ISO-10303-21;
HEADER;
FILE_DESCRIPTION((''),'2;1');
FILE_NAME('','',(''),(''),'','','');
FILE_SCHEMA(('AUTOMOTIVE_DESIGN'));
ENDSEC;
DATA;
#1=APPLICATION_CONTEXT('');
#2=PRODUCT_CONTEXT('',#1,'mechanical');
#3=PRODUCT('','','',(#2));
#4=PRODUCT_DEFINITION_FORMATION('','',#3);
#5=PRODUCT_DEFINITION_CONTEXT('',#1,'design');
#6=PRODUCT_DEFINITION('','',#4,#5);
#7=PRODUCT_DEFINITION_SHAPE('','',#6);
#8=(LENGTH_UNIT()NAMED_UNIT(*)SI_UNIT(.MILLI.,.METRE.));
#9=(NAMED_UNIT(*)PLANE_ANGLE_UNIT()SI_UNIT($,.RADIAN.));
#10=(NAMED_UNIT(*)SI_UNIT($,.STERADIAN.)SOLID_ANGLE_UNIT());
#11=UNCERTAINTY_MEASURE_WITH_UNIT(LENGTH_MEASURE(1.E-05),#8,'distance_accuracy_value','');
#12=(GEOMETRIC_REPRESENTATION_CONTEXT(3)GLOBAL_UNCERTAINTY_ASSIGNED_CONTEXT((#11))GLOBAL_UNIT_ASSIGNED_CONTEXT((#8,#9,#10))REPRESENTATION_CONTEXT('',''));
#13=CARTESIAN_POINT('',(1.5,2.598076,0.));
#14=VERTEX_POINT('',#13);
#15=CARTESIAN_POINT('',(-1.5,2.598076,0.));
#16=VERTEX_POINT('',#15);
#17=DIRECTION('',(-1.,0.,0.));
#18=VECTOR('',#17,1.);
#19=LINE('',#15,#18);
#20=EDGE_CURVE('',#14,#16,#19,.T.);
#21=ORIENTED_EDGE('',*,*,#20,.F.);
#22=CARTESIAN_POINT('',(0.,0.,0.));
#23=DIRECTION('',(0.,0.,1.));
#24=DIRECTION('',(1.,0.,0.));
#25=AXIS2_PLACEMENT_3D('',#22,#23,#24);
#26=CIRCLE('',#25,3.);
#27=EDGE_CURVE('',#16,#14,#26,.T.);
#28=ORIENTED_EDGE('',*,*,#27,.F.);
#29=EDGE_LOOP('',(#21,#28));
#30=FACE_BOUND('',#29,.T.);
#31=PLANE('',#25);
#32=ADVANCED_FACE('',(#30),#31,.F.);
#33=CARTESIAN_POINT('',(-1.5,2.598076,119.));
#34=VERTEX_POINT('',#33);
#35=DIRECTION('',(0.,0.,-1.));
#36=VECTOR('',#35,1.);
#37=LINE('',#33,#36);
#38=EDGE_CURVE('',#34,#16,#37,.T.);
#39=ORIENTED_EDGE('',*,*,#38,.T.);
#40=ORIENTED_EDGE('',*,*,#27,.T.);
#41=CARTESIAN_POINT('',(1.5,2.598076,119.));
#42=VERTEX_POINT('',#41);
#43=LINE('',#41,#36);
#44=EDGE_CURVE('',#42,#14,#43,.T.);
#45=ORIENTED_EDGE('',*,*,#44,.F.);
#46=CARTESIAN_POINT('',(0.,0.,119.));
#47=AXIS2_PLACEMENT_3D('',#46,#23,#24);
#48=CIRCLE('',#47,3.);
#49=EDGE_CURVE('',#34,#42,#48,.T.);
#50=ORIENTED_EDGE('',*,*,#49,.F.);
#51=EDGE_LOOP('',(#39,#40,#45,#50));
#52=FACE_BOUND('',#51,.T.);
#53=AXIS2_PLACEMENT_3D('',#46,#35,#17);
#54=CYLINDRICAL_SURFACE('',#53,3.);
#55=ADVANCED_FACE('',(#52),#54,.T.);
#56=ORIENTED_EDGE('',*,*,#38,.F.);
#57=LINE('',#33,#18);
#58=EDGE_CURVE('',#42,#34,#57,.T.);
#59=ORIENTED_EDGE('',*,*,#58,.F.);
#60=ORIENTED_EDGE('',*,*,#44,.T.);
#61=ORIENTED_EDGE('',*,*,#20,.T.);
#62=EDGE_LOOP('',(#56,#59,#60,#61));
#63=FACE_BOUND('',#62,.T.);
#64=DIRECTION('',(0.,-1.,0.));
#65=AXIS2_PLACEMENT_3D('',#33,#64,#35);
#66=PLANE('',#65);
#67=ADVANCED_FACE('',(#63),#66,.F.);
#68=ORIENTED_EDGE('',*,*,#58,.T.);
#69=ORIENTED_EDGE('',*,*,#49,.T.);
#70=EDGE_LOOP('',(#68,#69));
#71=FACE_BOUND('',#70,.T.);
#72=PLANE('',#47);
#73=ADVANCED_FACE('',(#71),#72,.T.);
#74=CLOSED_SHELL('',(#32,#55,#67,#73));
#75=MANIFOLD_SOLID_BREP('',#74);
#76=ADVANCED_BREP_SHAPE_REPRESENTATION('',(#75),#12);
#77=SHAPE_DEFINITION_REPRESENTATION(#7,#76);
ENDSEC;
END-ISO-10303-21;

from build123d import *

# Parameters (mm, degrees)
BOSS_EXTRUDE1_DEPTH = 119


with BuildPart() as part:
    # Sketch2 → Boss-Extrude1 (new body)
    with BuildSketch(Plane.XY):
        with BuildLine():
            Line((-1.5, 2.598076211), (1.5, 2.598076211))
            ThreePointArc((1.5, 2.598076211), (0, -3), (-1.5, 2.598076211))
        make_face()
    extrude(amount=BOSS_EXTRUDE1_DEPTH)


solid = part.part
